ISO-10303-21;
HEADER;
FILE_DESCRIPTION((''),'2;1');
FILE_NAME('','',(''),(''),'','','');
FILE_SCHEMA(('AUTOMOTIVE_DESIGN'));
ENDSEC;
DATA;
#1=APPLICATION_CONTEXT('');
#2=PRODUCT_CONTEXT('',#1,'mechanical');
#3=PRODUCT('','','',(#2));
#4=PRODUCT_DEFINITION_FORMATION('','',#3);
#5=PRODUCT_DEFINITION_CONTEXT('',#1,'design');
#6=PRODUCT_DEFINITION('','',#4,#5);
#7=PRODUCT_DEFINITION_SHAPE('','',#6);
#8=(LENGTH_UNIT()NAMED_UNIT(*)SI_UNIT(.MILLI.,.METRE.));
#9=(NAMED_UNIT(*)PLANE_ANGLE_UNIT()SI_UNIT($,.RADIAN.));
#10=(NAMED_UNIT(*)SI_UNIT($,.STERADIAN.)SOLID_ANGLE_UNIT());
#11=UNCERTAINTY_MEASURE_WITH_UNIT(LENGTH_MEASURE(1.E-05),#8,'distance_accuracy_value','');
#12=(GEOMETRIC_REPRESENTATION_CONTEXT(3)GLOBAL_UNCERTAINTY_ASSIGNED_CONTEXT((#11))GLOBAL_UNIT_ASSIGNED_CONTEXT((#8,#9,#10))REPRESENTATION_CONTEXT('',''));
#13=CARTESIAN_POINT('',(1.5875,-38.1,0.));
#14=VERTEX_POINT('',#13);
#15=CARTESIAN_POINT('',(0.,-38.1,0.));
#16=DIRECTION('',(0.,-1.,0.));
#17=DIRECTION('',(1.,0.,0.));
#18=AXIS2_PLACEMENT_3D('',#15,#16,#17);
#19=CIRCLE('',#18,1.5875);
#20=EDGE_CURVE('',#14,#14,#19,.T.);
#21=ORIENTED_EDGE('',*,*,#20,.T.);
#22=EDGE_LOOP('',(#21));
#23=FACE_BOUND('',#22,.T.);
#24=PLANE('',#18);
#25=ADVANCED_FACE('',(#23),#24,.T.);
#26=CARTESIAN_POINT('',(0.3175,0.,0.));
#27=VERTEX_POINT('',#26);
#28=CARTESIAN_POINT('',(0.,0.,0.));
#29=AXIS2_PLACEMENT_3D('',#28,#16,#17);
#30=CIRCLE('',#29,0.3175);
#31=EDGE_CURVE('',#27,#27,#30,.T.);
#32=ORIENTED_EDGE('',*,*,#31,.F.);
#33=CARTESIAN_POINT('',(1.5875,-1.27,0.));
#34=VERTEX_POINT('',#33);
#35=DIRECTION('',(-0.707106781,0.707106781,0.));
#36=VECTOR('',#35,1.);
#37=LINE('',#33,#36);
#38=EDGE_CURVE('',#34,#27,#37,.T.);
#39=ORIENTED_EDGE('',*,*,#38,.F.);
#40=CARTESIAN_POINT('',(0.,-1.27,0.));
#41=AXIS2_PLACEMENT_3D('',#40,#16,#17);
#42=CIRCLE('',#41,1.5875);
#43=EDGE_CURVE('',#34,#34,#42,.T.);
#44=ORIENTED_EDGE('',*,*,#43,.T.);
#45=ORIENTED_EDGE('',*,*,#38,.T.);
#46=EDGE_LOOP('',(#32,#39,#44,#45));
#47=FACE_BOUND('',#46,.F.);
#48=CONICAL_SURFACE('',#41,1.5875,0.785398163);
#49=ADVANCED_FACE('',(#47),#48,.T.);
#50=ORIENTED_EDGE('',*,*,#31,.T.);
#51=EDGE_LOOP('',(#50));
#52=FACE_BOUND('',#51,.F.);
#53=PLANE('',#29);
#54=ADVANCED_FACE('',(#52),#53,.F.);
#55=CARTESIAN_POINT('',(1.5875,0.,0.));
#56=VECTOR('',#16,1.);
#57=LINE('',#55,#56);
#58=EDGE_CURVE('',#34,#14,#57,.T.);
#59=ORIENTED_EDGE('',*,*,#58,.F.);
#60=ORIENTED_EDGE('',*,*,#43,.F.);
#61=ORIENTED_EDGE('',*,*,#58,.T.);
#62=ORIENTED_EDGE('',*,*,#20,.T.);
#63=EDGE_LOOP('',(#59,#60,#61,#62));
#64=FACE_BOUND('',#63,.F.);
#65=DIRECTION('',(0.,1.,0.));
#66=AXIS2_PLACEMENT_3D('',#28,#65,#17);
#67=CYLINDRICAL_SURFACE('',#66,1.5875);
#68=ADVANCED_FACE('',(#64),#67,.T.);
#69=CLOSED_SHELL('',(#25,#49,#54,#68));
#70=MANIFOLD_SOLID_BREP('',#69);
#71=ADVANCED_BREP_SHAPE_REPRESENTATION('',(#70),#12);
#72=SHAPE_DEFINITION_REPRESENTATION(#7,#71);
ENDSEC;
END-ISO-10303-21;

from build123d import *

# Parameters (mm, degrees)
F0_R     = 1.5875
F1_DEPTH = 38.1
F2_SIZE  = 1.27


with BuildPart() as f1:
    # F0 (on Front) → F1 (new body)
    with BuildSketch(Plane.XZ):
        Circle(F0_R)
    extrude(amount=F1_DEPTH)

    # F2
    f2_edges = [f1.edges().sort_by_distance(p)[0] for p in [
        (-1.5875, 0, 0),
    ]]
    chamfer(f2_edges, length=F2_SIZE)


solid = f1.part
